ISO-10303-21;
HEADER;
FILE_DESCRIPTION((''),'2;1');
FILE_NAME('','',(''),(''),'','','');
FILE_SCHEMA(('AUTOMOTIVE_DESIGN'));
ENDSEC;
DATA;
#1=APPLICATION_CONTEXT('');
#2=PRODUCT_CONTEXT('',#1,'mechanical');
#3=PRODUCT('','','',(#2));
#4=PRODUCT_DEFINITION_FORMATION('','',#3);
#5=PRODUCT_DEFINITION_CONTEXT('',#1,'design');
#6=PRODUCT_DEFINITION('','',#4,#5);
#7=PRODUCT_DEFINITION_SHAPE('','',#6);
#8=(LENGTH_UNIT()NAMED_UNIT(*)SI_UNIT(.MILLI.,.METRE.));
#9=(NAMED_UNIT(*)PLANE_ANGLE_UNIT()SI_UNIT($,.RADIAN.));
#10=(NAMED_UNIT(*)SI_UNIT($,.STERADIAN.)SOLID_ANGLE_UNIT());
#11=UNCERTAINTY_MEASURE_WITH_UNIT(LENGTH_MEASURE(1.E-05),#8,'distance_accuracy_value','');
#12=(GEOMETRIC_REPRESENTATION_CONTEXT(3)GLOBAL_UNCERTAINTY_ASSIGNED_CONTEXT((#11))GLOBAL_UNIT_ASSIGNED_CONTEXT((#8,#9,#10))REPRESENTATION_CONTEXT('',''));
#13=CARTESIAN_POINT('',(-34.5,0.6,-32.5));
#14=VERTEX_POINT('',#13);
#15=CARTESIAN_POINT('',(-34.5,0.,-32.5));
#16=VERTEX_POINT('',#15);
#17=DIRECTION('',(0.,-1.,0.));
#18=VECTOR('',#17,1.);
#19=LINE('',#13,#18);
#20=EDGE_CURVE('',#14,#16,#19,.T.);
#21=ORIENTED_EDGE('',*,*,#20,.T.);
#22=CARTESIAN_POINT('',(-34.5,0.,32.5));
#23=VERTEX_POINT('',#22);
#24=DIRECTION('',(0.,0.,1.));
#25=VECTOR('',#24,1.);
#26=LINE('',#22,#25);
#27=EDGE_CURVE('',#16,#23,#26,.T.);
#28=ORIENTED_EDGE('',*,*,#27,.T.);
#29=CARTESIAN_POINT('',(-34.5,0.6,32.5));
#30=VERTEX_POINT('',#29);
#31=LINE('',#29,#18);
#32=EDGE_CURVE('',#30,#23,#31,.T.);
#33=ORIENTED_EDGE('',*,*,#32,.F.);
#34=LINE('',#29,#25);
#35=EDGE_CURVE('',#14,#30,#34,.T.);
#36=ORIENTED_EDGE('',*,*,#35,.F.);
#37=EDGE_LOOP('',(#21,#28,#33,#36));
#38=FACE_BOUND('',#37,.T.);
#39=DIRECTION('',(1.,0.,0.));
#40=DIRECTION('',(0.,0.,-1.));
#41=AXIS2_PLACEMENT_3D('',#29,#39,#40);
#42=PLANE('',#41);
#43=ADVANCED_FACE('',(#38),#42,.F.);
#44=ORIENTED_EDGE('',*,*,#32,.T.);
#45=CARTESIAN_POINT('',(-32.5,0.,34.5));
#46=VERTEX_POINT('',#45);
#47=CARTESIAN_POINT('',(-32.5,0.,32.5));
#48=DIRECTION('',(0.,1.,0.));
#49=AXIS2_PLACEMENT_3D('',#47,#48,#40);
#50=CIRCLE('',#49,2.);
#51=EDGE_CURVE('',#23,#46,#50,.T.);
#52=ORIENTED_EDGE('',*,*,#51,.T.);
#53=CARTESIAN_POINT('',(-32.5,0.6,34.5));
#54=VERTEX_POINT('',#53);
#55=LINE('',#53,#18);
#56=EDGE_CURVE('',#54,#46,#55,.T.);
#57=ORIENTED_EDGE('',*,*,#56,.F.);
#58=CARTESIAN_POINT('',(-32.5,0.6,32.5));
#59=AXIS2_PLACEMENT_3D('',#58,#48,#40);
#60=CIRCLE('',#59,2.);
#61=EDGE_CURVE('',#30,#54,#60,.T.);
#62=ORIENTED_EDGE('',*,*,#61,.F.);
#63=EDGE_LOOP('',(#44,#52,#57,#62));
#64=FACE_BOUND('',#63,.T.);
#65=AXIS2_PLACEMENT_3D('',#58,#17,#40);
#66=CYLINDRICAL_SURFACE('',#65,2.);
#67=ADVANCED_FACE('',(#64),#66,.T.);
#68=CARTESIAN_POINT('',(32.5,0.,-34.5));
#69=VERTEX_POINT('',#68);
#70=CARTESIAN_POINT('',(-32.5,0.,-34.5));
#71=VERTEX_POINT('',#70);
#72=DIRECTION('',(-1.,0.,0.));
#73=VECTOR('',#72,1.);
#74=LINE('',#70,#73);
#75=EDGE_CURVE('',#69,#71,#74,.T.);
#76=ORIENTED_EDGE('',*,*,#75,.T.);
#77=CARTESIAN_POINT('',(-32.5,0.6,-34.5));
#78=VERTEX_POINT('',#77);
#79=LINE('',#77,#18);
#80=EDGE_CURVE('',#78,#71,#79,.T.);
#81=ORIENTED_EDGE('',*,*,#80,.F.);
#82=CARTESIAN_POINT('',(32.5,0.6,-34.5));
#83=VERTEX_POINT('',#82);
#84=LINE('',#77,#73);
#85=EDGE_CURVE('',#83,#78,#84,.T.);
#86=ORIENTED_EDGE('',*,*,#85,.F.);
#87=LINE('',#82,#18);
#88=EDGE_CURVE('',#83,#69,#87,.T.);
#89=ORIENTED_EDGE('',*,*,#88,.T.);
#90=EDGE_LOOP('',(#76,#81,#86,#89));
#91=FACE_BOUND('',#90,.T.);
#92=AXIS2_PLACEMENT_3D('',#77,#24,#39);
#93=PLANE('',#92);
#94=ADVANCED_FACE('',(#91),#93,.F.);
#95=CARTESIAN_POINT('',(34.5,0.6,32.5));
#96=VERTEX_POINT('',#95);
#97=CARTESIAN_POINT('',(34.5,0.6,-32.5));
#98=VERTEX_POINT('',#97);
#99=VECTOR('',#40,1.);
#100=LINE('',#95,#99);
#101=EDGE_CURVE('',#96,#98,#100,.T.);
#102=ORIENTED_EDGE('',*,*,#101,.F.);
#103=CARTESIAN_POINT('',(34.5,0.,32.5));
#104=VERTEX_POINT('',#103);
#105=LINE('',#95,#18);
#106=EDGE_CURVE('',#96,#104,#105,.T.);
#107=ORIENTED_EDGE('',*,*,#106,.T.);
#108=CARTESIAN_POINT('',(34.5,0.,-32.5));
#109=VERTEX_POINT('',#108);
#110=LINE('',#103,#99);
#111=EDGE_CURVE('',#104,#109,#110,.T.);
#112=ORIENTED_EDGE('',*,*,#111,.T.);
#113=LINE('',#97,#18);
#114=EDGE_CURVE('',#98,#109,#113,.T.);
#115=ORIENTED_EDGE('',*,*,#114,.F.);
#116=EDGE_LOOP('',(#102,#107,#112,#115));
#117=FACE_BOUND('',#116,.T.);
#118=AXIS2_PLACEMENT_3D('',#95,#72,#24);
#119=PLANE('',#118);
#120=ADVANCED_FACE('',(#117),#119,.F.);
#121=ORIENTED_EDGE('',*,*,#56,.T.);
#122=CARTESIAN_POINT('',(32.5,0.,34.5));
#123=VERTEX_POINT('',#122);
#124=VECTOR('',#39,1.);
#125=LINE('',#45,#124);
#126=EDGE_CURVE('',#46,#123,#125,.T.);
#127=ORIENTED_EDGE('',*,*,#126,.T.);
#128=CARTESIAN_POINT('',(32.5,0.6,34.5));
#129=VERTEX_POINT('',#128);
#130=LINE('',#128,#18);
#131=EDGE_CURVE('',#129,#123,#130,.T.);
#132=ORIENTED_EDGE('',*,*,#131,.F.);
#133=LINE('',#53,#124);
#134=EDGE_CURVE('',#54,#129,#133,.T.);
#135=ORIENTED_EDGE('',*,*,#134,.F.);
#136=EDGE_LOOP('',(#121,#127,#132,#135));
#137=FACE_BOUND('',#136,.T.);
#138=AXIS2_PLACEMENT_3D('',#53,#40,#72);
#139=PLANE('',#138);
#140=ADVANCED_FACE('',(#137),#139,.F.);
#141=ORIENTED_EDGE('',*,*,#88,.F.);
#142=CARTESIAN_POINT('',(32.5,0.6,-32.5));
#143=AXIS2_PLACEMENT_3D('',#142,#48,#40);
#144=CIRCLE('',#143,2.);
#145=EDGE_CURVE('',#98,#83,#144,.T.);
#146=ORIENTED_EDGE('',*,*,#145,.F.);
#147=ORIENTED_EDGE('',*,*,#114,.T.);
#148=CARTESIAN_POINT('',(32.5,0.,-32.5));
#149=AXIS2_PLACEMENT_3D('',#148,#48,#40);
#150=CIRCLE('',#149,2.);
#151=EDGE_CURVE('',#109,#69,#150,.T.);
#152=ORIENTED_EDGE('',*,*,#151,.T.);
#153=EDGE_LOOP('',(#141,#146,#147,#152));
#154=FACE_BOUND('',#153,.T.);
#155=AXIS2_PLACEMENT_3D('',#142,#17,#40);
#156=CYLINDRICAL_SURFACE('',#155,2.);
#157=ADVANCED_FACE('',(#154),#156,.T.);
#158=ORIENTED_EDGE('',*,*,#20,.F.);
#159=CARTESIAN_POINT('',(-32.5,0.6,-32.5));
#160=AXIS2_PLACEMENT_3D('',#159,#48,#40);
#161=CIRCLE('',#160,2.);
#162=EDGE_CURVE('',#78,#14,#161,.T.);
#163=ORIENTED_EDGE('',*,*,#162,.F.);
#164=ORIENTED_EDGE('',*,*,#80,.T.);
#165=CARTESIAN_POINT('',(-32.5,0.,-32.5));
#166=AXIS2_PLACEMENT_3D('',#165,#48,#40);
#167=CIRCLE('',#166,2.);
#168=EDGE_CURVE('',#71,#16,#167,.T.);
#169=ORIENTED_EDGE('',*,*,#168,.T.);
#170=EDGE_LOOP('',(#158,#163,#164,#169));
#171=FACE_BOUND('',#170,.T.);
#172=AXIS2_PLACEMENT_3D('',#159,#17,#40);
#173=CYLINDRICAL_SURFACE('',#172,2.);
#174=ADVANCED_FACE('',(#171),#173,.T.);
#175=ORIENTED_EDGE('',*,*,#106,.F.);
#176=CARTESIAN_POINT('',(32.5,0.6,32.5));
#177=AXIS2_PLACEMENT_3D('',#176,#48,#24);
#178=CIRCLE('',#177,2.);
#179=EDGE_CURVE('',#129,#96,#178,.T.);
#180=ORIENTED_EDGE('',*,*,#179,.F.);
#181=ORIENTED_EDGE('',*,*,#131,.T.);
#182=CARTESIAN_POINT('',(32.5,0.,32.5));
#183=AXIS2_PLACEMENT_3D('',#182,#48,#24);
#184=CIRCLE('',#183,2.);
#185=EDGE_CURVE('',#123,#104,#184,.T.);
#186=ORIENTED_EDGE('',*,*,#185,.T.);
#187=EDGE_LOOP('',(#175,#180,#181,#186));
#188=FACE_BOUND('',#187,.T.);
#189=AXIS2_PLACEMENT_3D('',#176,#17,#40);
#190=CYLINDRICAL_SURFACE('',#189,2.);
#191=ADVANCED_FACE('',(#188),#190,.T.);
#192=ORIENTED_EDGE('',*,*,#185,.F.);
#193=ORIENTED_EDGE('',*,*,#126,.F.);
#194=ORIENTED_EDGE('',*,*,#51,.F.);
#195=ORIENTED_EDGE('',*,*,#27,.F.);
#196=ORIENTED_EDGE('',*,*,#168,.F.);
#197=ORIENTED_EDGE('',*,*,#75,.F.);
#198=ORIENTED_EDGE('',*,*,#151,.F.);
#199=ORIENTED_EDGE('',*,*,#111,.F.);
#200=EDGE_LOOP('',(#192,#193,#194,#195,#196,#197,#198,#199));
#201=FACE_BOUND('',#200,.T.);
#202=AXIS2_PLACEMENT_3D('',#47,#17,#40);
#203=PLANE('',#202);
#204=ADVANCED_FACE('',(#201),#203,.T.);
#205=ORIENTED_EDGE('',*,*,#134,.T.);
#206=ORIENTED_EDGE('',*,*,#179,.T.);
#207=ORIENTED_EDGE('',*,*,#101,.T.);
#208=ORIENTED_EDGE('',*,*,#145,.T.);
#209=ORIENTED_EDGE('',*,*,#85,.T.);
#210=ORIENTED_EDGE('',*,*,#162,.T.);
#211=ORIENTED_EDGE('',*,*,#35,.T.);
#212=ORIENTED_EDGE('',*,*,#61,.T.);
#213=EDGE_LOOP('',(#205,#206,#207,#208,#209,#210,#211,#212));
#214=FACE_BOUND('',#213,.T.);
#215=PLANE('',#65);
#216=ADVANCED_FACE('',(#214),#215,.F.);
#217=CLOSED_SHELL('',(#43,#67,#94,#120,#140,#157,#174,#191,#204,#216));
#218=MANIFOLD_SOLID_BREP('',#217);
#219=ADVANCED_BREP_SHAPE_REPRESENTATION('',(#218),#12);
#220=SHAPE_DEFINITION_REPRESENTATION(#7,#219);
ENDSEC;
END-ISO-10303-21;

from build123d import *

# Parameters (mm, degrees)
BOSS_EXTRUDE1_DEPTH = 0.6


with BuildPart() as part:
    # Sketch1 → Boss-Extrude1 (new body)
    with BuildSketch(Plane(origin=(0, 0, 0), x_dir=(1, 0, 0), z_dir=(0, 1, 0))):
        with BuildLine():
            Line((-32.5, -34.5), (32.5, -34.5))
            ThreePointArc((32.5, -34.5), (33.914213562, -33.914213562), (34.5, -32.5))
            Line((34.5, -32.5), (34.5, 32.5))
            ThreePointArc((34.5, 32.5), (33.914213562, 33.914213562), (32.5, 34.5))
            Line((32.5, 34.5), (-32.5, 34.5))
            ThreePointArc((-32.5, 34.5), (-33.914213562, 33.914213562), (-34.5, 32.5))
            Line((-34.5, 32.5), (-34.5, -32.5))
            ThreePointArc((-34.5, -32.5), (-33.914213562, -33.914213562), (-32.5, -34.5))
        make_face()
    extrude(amount=BOSS_EXTRUDE1_DEPTH)


solid = part.part
